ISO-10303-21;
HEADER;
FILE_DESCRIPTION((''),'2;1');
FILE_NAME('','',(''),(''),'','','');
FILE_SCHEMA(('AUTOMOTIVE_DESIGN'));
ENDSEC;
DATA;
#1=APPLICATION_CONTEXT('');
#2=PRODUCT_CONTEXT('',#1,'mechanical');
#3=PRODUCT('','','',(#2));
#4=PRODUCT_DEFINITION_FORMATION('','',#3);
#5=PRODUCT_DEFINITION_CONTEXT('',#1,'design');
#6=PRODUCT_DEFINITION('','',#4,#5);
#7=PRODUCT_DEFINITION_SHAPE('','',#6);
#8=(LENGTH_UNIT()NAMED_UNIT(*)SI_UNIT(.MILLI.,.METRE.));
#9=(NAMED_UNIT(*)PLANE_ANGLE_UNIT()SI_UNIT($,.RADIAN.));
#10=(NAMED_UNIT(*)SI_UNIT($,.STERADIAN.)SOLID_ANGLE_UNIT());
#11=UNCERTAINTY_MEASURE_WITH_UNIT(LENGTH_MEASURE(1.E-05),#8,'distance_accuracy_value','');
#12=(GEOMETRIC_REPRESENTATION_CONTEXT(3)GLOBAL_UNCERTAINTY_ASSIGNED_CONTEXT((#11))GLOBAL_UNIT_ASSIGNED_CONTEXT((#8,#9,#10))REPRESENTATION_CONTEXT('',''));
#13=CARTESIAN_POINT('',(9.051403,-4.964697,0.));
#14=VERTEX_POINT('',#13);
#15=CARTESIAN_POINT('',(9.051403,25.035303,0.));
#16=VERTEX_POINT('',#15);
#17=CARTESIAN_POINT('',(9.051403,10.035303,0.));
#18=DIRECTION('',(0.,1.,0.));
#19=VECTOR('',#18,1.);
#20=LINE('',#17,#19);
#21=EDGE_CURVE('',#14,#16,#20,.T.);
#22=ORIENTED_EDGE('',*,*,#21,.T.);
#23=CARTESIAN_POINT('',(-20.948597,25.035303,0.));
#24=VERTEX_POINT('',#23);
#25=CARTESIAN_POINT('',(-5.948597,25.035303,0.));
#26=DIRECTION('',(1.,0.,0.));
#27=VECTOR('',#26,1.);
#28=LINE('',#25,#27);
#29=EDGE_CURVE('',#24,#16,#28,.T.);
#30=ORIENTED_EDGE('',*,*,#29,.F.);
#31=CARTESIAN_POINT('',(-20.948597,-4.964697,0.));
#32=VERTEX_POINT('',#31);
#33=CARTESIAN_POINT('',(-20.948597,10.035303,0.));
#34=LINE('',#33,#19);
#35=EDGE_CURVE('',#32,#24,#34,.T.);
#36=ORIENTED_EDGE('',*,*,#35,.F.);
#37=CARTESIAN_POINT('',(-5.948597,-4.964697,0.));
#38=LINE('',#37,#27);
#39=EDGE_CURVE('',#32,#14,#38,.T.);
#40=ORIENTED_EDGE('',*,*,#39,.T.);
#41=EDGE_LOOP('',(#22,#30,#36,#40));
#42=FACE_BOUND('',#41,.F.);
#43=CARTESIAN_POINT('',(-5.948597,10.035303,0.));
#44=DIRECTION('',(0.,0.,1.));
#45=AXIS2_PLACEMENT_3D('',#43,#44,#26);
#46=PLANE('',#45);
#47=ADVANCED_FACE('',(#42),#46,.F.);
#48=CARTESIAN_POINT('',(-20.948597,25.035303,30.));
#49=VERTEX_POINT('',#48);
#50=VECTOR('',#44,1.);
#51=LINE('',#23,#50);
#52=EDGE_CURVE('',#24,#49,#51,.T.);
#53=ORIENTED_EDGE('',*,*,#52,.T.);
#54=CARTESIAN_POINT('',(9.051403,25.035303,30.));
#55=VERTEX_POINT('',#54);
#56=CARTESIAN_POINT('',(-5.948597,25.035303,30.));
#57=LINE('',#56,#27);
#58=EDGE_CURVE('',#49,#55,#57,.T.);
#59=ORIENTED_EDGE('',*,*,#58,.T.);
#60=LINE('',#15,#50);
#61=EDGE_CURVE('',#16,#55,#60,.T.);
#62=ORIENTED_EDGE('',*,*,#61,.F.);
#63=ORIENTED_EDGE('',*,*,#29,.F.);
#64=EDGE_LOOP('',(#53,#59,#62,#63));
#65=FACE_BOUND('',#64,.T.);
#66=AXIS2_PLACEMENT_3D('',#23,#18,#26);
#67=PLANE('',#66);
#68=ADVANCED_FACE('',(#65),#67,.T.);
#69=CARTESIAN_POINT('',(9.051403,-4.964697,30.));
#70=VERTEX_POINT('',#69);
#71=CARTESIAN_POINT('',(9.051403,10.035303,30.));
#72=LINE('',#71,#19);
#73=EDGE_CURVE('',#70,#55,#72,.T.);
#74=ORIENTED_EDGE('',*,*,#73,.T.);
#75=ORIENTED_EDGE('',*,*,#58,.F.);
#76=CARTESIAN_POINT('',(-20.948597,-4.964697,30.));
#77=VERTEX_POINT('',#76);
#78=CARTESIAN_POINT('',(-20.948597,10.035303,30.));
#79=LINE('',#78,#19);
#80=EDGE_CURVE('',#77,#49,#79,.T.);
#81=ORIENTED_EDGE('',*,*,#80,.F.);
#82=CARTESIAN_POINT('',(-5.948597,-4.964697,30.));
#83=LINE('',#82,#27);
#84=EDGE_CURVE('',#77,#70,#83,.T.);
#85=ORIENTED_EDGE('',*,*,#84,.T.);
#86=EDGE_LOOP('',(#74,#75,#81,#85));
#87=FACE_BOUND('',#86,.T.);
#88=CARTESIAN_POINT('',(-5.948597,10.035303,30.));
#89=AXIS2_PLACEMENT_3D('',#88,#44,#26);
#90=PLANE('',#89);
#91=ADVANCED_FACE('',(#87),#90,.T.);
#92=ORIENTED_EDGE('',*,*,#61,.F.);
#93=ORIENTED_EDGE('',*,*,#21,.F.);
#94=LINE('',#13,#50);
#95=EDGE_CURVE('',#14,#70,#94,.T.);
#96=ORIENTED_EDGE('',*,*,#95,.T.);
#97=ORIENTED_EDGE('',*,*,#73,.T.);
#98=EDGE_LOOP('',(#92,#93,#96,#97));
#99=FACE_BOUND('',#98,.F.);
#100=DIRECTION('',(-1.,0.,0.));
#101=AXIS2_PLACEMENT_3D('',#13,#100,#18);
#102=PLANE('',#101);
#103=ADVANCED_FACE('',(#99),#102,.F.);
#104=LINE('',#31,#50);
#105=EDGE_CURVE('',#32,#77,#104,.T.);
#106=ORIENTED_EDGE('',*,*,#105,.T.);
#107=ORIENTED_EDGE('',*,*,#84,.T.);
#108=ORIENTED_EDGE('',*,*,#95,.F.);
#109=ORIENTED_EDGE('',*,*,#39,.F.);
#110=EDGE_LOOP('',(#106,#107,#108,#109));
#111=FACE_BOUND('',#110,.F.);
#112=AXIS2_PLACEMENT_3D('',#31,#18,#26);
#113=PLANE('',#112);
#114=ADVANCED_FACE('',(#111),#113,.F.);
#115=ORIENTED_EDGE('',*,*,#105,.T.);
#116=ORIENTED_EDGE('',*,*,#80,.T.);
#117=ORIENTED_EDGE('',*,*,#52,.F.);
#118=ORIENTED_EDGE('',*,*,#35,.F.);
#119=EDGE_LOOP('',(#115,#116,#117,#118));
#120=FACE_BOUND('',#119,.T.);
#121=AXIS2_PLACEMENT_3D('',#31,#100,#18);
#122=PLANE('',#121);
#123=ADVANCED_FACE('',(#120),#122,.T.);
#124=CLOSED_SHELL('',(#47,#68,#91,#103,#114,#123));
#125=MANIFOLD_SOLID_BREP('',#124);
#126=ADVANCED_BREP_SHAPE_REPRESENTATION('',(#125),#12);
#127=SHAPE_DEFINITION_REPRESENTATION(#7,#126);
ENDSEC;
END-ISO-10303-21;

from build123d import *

# Parameters (mm, degrees)
SKETCH1_W           = 30
SKETCH1_H           = 30
BOSS_EXTRUDE1_DEPTH = 30


with BuildPart() as part:
    # Sketch1 → Boss-Extrude1 (new body)
    with BuildSketch(Plane.XY):
        with Locations((-5.948597436, 10.035303498)):
            Rectangle(SKETCH1_W, SKETCH1_H)
    extrude(amount=BOSS_EXTRUDE1_DEPTH)


solid = part.part
